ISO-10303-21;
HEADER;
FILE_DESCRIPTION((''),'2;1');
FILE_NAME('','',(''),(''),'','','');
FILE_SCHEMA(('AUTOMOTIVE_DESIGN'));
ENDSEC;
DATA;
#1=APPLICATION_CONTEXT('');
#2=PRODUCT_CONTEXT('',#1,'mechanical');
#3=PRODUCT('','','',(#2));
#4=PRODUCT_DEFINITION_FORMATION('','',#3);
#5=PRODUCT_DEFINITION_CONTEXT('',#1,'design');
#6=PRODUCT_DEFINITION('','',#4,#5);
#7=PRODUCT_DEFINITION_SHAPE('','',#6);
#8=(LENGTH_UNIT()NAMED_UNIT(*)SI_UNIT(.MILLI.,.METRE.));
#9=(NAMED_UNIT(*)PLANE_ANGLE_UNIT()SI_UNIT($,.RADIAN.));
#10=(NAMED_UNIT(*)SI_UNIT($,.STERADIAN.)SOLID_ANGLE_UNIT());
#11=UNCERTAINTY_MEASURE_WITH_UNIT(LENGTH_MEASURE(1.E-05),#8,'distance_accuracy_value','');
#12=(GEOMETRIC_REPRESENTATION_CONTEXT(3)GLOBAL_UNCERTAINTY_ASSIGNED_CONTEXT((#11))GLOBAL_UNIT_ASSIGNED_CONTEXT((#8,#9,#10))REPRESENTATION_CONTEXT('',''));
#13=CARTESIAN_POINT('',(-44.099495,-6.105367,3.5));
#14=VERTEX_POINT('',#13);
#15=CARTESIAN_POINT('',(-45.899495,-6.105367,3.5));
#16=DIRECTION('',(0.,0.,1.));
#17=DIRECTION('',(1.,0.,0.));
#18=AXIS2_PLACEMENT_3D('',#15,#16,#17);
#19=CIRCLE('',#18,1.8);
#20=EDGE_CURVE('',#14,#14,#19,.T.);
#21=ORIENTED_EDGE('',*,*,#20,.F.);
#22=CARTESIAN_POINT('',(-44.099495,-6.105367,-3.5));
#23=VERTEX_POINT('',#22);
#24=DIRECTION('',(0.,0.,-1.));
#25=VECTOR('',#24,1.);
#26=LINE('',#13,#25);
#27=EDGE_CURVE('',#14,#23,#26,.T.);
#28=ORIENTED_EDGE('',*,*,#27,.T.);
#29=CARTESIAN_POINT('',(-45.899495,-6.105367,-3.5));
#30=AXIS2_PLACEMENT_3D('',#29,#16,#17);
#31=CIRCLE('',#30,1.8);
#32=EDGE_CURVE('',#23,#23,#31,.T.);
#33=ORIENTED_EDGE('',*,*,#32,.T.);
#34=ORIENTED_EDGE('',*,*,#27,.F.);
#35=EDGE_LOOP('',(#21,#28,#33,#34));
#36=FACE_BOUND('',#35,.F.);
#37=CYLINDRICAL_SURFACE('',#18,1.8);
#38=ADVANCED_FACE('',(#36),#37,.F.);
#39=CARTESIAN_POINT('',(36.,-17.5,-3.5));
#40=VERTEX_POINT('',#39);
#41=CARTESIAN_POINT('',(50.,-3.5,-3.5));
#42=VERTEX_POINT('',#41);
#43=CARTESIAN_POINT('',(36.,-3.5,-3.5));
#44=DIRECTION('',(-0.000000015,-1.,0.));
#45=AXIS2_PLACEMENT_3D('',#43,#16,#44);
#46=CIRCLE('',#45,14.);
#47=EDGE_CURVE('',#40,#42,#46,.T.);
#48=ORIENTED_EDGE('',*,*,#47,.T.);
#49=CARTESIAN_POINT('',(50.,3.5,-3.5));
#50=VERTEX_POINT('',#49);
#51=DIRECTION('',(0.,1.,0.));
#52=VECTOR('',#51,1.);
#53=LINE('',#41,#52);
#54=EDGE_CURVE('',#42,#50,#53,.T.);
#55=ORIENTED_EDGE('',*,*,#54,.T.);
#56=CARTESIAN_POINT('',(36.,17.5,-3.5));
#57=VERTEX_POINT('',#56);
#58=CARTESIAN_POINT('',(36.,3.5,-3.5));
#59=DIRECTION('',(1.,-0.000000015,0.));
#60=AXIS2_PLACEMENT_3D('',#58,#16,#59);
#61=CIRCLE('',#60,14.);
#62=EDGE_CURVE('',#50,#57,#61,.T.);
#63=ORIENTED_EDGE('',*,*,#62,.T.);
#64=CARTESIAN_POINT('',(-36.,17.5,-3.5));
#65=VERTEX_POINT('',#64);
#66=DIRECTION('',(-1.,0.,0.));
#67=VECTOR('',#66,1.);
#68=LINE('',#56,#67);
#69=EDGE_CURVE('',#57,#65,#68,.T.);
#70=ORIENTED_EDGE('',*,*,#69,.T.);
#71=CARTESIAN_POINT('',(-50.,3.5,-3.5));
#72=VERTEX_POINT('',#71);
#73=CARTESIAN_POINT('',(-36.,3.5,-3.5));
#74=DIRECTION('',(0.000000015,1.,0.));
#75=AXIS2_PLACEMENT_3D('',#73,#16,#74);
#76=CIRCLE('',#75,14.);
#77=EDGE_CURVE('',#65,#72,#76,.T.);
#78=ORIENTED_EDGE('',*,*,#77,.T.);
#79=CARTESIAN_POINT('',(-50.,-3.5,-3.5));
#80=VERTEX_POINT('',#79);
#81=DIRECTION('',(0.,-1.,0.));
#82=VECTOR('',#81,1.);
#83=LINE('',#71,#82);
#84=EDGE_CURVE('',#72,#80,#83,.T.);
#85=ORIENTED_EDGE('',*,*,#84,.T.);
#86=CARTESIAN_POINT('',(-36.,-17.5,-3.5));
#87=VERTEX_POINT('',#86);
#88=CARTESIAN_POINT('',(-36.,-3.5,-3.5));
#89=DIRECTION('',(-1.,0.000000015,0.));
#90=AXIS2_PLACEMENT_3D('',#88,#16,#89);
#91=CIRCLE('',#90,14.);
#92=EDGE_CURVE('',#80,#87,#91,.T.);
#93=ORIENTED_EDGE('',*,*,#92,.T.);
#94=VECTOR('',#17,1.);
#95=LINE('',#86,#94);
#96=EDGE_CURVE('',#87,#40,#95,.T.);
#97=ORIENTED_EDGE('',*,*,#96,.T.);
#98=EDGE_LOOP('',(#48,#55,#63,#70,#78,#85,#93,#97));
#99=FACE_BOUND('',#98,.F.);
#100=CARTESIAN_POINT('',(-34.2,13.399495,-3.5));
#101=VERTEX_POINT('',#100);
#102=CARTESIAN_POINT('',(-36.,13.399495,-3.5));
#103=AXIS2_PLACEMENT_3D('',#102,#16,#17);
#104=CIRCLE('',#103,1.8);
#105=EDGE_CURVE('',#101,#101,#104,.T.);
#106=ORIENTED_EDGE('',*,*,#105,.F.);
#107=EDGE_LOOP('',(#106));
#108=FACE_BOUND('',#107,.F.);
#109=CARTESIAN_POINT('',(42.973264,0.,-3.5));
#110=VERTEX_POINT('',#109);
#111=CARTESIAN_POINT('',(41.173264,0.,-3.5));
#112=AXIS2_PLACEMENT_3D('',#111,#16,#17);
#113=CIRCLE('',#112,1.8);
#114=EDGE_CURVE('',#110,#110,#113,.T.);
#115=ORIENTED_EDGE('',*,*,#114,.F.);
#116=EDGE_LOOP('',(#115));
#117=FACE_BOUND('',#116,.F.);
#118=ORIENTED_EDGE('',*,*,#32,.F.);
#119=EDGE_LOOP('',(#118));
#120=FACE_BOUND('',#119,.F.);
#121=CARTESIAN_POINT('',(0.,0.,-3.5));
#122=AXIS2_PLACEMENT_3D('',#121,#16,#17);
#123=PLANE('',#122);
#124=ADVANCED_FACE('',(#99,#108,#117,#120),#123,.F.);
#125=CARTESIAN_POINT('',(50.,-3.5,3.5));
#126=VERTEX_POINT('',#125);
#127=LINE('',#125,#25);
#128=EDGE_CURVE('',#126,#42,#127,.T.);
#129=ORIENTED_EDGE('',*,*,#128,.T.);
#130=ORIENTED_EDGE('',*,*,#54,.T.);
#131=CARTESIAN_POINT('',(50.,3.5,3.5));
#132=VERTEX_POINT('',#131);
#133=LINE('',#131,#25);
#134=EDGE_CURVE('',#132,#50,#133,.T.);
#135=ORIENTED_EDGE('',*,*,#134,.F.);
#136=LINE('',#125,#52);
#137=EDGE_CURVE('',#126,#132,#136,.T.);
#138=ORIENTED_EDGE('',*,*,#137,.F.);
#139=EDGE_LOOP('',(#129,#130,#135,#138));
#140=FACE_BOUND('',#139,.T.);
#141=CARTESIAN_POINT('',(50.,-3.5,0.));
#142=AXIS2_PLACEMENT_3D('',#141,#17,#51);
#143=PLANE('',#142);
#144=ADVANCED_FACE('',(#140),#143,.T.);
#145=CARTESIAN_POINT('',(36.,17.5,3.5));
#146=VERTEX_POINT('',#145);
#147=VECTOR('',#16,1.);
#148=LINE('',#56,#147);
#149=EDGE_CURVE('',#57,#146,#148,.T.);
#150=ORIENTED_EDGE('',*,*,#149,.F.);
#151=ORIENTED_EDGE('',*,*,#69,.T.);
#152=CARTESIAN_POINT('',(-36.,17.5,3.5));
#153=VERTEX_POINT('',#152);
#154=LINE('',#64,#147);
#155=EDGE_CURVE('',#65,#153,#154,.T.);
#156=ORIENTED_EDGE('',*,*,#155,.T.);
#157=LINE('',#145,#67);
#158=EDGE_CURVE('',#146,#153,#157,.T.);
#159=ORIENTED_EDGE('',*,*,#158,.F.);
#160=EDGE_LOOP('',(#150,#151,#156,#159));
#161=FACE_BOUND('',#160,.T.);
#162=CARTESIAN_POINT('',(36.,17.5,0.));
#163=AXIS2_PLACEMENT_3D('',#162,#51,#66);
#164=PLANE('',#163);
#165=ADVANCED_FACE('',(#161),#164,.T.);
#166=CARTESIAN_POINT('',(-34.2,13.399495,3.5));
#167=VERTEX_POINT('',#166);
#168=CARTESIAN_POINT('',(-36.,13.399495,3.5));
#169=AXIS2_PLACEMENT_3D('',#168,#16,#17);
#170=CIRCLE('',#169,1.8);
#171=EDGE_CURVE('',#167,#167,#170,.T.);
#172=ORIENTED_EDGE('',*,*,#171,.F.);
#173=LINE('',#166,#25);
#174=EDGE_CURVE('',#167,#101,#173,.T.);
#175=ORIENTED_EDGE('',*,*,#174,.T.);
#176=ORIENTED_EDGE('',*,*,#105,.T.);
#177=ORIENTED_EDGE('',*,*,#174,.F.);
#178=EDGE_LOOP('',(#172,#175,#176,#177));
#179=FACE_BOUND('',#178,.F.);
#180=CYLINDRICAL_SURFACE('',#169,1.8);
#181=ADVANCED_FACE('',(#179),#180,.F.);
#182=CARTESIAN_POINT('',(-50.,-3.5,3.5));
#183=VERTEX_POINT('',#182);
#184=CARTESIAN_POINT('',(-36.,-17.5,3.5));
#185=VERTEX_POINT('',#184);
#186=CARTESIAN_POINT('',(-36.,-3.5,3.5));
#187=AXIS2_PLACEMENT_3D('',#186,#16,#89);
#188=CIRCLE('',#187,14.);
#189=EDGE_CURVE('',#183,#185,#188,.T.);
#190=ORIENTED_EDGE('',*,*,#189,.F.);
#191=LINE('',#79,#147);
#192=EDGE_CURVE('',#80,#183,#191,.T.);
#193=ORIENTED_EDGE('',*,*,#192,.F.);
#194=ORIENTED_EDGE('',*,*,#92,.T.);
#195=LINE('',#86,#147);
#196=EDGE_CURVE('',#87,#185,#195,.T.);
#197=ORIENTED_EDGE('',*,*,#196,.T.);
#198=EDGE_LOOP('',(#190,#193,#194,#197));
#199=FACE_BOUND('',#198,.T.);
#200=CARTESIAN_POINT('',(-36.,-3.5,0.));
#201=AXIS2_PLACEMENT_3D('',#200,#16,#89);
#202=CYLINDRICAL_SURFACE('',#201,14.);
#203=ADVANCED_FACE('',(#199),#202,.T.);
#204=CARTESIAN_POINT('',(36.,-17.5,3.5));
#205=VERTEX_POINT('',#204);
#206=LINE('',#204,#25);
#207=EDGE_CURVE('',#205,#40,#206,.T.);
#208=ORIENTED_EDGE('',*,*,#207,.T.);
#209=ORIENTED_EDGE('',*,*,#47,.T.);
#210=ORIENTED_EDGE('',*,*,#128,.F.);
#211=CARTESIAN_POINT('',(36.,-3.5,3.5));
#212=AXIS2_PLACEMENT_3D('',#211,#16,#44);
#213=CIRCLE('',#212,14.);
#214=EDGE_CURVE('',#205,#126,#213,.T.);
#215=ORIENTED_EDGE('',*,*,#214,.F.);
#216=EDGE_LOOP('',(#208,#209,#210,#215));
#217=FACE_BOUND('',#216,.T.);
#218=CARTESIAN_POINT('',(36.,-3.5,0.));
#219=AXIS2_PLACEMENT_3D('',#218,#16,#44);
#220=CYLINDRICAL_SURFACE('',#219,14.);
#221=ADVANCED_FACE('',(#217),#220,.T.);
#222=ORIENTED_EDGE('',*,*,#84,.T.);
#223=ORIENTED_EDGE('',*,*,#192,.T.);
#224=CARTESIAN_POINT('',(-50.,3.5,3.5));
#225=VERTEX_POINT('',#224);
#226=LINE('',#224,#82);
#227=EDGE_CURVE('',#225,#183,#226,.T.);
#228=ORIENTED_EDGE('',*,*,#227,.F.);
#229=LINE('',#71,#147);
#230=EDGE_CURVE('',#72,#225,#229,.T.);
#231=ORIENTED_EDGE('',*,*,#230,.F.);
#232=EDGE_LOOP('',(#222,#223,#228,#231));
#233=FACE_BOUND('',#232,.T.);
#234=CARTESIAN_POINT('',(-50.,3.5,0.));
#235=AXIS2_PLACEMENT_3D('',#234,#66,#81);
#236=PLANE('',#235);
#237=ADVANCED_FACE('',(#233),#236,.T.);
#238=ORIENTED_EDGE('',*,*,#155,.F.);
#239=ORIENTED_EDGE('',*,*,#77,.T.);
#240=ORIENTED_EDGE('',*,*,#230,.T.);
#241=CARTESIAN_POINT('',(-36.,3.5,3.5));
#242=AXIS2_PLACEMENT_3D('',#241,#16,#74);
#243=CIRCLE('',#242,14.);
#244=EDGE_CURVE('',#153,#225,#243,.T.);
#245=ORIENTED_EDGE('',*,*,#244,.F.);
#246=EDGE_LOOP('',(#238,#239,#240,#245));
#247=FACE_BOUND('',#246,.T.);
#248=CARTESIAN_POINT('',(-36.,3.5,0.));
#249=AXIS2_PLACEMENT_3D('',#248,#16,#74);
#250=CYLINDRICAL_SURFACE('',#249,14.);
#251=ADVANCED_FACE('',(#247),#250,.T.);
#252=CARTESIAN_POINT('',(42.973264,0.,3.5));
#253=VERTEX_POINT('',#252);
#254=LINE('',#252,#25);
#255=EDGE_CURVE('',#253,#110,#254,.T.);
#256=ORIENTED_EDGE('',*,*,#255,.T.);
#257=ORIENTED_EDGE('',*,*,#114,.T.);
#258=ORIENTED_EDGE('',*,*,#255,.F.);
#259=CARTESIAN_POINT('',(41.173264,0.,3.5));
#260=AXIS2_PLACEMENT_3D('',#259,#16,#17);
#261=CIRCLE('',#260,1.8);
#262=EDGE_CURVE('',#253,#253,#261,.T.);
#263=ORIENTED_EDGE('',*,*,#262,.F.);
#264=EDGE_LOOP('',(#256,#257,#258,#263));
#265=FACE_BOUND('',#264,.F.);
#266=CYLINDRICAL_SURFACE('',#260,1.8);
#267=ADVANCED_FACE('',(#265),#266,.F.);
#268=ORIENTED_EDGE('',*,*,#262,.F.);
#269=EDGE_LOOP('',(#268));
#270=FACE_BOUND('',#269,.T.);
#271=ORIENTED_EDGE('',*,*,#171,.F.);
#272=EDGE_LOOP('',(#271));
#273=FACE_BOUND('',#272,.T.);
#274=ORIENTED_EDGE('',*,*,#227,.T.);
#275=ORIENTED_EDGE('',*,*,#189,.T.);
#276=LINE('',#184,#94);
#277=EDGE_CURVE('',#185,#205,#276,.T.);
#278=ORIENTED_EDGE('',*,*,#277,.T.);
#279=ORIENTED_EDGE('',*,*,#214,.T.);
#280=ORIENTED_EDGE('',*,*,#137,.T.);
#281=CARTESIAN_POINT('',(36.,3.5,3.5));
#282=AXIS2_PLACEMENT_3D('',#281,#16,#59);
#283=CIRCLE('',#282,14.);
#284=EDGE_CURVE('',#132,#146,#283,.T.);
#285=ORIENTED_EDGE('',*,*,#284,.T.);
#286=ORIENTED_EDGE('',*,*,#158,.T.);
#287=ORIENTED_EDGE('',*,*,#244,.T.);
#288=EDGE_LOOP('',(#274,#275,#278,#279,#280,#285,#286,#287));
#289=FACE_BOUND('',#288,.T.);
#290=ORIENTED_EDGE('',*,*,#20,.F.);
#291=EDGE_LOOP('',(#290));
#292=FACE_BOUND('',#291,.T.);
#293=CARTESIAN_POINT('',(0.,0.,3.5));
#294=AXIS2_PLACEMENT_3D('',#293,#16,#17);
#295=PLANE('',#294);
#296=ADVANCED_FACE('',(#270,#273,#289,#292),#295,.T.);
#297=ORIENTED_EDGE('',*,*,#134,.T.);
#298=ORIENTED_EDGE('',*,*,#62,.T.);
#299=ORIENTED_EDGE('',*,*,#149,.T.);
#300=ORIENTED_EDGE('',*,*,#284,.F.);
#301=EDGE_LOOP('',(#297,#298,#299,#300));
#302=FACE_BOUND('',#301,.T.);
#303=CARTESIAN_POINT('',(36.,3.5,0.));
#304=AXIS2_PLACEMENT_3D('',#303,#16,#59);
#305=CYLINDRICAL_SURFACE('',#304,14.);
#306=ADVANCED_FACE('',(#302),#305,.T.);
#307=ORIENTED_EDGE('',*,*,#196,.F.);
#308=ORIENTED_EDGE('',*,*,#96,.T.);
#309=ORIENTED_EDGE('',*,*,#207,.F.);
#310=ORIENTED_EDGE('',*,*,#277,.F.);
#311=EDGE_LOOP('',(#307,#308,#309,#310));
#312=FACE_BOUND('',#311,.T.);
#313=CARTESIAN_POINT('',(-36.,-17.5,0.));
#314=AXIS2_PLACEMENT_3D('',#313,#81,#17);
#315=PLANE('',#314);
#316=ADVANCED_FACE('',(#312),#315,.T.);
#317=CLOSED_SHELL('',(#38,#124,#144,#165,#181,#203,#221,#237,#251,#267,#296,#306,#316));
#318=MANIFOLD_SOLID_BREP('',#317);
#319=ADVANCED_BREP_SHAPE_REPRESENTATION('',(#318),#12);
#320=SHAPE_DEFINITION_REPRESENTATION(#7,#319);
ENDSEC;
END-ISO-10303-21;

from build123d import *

# Parameters (mm, degrees)
F1_DEPTH = 3.5
F2_R     = 1.8
F3_DEPTH = 8
F4_R     = 1.8
F5_DEPTH = 7
F6_R     = 1.8
F7_DEPTH = 7


with BuildPart() as f1:
    # F0 (on Top) → F1 (new body, symmetric)
    with BuildSketch(Plane.XY):
        with BuildLine():
            ThreePointArc((50, 3.5), (45.899495, 13.399495), (36, 17.5))
            Line((36, 17.5), (-36, 17.5))
            ThreePointArc((-36, 17.5), (-45.899495, 13.399495), (-50, 3.5))
            Line((-50, 3.5), (-50, -3.5))
            ThreePointArc((-50, -3.5), (-45.899495, -13.399495), (-36, -17.5))
            Line((-36, -17.5), (36, -17.5))
            ThreePointArc((36, -17.5), (45.899495, -13.399495), (50, -3.5))
            Line((50, -3.5), (50, 3.5))
        make_face()
    extrude(amount=F1_DEPTH, both=True)

    # F2 (on face) → F3 (cut)
    with BuildSketch(Plane.XY.offset(3.5)):
        with Locations((41.173264, 0)):
            Circle(F2_R)
    extrude(amount=-F3_DEPTH, mode=Mode.SUBTRACT)

    # F4 (on face) → F5 (cut)
    with BuildSketch(Plane.XY.offset(3.5)):
        with Locations((-45.899495, -6.105367)):
            Circle(F4_R)
    extrude(amount=-F5_DEPTH, mode=Mode.SUBTRACT)

    # F6 (on face) → F7 (cut)
    with BuildSketch(Plane.XY.offset(3.5)):
        with Locations((-36, 13.399495)):
            Circle(F6_R)
    extrude(amount=-F7_DEPTH, mode=Mode.SUBTRACT)


solid = f1.part
